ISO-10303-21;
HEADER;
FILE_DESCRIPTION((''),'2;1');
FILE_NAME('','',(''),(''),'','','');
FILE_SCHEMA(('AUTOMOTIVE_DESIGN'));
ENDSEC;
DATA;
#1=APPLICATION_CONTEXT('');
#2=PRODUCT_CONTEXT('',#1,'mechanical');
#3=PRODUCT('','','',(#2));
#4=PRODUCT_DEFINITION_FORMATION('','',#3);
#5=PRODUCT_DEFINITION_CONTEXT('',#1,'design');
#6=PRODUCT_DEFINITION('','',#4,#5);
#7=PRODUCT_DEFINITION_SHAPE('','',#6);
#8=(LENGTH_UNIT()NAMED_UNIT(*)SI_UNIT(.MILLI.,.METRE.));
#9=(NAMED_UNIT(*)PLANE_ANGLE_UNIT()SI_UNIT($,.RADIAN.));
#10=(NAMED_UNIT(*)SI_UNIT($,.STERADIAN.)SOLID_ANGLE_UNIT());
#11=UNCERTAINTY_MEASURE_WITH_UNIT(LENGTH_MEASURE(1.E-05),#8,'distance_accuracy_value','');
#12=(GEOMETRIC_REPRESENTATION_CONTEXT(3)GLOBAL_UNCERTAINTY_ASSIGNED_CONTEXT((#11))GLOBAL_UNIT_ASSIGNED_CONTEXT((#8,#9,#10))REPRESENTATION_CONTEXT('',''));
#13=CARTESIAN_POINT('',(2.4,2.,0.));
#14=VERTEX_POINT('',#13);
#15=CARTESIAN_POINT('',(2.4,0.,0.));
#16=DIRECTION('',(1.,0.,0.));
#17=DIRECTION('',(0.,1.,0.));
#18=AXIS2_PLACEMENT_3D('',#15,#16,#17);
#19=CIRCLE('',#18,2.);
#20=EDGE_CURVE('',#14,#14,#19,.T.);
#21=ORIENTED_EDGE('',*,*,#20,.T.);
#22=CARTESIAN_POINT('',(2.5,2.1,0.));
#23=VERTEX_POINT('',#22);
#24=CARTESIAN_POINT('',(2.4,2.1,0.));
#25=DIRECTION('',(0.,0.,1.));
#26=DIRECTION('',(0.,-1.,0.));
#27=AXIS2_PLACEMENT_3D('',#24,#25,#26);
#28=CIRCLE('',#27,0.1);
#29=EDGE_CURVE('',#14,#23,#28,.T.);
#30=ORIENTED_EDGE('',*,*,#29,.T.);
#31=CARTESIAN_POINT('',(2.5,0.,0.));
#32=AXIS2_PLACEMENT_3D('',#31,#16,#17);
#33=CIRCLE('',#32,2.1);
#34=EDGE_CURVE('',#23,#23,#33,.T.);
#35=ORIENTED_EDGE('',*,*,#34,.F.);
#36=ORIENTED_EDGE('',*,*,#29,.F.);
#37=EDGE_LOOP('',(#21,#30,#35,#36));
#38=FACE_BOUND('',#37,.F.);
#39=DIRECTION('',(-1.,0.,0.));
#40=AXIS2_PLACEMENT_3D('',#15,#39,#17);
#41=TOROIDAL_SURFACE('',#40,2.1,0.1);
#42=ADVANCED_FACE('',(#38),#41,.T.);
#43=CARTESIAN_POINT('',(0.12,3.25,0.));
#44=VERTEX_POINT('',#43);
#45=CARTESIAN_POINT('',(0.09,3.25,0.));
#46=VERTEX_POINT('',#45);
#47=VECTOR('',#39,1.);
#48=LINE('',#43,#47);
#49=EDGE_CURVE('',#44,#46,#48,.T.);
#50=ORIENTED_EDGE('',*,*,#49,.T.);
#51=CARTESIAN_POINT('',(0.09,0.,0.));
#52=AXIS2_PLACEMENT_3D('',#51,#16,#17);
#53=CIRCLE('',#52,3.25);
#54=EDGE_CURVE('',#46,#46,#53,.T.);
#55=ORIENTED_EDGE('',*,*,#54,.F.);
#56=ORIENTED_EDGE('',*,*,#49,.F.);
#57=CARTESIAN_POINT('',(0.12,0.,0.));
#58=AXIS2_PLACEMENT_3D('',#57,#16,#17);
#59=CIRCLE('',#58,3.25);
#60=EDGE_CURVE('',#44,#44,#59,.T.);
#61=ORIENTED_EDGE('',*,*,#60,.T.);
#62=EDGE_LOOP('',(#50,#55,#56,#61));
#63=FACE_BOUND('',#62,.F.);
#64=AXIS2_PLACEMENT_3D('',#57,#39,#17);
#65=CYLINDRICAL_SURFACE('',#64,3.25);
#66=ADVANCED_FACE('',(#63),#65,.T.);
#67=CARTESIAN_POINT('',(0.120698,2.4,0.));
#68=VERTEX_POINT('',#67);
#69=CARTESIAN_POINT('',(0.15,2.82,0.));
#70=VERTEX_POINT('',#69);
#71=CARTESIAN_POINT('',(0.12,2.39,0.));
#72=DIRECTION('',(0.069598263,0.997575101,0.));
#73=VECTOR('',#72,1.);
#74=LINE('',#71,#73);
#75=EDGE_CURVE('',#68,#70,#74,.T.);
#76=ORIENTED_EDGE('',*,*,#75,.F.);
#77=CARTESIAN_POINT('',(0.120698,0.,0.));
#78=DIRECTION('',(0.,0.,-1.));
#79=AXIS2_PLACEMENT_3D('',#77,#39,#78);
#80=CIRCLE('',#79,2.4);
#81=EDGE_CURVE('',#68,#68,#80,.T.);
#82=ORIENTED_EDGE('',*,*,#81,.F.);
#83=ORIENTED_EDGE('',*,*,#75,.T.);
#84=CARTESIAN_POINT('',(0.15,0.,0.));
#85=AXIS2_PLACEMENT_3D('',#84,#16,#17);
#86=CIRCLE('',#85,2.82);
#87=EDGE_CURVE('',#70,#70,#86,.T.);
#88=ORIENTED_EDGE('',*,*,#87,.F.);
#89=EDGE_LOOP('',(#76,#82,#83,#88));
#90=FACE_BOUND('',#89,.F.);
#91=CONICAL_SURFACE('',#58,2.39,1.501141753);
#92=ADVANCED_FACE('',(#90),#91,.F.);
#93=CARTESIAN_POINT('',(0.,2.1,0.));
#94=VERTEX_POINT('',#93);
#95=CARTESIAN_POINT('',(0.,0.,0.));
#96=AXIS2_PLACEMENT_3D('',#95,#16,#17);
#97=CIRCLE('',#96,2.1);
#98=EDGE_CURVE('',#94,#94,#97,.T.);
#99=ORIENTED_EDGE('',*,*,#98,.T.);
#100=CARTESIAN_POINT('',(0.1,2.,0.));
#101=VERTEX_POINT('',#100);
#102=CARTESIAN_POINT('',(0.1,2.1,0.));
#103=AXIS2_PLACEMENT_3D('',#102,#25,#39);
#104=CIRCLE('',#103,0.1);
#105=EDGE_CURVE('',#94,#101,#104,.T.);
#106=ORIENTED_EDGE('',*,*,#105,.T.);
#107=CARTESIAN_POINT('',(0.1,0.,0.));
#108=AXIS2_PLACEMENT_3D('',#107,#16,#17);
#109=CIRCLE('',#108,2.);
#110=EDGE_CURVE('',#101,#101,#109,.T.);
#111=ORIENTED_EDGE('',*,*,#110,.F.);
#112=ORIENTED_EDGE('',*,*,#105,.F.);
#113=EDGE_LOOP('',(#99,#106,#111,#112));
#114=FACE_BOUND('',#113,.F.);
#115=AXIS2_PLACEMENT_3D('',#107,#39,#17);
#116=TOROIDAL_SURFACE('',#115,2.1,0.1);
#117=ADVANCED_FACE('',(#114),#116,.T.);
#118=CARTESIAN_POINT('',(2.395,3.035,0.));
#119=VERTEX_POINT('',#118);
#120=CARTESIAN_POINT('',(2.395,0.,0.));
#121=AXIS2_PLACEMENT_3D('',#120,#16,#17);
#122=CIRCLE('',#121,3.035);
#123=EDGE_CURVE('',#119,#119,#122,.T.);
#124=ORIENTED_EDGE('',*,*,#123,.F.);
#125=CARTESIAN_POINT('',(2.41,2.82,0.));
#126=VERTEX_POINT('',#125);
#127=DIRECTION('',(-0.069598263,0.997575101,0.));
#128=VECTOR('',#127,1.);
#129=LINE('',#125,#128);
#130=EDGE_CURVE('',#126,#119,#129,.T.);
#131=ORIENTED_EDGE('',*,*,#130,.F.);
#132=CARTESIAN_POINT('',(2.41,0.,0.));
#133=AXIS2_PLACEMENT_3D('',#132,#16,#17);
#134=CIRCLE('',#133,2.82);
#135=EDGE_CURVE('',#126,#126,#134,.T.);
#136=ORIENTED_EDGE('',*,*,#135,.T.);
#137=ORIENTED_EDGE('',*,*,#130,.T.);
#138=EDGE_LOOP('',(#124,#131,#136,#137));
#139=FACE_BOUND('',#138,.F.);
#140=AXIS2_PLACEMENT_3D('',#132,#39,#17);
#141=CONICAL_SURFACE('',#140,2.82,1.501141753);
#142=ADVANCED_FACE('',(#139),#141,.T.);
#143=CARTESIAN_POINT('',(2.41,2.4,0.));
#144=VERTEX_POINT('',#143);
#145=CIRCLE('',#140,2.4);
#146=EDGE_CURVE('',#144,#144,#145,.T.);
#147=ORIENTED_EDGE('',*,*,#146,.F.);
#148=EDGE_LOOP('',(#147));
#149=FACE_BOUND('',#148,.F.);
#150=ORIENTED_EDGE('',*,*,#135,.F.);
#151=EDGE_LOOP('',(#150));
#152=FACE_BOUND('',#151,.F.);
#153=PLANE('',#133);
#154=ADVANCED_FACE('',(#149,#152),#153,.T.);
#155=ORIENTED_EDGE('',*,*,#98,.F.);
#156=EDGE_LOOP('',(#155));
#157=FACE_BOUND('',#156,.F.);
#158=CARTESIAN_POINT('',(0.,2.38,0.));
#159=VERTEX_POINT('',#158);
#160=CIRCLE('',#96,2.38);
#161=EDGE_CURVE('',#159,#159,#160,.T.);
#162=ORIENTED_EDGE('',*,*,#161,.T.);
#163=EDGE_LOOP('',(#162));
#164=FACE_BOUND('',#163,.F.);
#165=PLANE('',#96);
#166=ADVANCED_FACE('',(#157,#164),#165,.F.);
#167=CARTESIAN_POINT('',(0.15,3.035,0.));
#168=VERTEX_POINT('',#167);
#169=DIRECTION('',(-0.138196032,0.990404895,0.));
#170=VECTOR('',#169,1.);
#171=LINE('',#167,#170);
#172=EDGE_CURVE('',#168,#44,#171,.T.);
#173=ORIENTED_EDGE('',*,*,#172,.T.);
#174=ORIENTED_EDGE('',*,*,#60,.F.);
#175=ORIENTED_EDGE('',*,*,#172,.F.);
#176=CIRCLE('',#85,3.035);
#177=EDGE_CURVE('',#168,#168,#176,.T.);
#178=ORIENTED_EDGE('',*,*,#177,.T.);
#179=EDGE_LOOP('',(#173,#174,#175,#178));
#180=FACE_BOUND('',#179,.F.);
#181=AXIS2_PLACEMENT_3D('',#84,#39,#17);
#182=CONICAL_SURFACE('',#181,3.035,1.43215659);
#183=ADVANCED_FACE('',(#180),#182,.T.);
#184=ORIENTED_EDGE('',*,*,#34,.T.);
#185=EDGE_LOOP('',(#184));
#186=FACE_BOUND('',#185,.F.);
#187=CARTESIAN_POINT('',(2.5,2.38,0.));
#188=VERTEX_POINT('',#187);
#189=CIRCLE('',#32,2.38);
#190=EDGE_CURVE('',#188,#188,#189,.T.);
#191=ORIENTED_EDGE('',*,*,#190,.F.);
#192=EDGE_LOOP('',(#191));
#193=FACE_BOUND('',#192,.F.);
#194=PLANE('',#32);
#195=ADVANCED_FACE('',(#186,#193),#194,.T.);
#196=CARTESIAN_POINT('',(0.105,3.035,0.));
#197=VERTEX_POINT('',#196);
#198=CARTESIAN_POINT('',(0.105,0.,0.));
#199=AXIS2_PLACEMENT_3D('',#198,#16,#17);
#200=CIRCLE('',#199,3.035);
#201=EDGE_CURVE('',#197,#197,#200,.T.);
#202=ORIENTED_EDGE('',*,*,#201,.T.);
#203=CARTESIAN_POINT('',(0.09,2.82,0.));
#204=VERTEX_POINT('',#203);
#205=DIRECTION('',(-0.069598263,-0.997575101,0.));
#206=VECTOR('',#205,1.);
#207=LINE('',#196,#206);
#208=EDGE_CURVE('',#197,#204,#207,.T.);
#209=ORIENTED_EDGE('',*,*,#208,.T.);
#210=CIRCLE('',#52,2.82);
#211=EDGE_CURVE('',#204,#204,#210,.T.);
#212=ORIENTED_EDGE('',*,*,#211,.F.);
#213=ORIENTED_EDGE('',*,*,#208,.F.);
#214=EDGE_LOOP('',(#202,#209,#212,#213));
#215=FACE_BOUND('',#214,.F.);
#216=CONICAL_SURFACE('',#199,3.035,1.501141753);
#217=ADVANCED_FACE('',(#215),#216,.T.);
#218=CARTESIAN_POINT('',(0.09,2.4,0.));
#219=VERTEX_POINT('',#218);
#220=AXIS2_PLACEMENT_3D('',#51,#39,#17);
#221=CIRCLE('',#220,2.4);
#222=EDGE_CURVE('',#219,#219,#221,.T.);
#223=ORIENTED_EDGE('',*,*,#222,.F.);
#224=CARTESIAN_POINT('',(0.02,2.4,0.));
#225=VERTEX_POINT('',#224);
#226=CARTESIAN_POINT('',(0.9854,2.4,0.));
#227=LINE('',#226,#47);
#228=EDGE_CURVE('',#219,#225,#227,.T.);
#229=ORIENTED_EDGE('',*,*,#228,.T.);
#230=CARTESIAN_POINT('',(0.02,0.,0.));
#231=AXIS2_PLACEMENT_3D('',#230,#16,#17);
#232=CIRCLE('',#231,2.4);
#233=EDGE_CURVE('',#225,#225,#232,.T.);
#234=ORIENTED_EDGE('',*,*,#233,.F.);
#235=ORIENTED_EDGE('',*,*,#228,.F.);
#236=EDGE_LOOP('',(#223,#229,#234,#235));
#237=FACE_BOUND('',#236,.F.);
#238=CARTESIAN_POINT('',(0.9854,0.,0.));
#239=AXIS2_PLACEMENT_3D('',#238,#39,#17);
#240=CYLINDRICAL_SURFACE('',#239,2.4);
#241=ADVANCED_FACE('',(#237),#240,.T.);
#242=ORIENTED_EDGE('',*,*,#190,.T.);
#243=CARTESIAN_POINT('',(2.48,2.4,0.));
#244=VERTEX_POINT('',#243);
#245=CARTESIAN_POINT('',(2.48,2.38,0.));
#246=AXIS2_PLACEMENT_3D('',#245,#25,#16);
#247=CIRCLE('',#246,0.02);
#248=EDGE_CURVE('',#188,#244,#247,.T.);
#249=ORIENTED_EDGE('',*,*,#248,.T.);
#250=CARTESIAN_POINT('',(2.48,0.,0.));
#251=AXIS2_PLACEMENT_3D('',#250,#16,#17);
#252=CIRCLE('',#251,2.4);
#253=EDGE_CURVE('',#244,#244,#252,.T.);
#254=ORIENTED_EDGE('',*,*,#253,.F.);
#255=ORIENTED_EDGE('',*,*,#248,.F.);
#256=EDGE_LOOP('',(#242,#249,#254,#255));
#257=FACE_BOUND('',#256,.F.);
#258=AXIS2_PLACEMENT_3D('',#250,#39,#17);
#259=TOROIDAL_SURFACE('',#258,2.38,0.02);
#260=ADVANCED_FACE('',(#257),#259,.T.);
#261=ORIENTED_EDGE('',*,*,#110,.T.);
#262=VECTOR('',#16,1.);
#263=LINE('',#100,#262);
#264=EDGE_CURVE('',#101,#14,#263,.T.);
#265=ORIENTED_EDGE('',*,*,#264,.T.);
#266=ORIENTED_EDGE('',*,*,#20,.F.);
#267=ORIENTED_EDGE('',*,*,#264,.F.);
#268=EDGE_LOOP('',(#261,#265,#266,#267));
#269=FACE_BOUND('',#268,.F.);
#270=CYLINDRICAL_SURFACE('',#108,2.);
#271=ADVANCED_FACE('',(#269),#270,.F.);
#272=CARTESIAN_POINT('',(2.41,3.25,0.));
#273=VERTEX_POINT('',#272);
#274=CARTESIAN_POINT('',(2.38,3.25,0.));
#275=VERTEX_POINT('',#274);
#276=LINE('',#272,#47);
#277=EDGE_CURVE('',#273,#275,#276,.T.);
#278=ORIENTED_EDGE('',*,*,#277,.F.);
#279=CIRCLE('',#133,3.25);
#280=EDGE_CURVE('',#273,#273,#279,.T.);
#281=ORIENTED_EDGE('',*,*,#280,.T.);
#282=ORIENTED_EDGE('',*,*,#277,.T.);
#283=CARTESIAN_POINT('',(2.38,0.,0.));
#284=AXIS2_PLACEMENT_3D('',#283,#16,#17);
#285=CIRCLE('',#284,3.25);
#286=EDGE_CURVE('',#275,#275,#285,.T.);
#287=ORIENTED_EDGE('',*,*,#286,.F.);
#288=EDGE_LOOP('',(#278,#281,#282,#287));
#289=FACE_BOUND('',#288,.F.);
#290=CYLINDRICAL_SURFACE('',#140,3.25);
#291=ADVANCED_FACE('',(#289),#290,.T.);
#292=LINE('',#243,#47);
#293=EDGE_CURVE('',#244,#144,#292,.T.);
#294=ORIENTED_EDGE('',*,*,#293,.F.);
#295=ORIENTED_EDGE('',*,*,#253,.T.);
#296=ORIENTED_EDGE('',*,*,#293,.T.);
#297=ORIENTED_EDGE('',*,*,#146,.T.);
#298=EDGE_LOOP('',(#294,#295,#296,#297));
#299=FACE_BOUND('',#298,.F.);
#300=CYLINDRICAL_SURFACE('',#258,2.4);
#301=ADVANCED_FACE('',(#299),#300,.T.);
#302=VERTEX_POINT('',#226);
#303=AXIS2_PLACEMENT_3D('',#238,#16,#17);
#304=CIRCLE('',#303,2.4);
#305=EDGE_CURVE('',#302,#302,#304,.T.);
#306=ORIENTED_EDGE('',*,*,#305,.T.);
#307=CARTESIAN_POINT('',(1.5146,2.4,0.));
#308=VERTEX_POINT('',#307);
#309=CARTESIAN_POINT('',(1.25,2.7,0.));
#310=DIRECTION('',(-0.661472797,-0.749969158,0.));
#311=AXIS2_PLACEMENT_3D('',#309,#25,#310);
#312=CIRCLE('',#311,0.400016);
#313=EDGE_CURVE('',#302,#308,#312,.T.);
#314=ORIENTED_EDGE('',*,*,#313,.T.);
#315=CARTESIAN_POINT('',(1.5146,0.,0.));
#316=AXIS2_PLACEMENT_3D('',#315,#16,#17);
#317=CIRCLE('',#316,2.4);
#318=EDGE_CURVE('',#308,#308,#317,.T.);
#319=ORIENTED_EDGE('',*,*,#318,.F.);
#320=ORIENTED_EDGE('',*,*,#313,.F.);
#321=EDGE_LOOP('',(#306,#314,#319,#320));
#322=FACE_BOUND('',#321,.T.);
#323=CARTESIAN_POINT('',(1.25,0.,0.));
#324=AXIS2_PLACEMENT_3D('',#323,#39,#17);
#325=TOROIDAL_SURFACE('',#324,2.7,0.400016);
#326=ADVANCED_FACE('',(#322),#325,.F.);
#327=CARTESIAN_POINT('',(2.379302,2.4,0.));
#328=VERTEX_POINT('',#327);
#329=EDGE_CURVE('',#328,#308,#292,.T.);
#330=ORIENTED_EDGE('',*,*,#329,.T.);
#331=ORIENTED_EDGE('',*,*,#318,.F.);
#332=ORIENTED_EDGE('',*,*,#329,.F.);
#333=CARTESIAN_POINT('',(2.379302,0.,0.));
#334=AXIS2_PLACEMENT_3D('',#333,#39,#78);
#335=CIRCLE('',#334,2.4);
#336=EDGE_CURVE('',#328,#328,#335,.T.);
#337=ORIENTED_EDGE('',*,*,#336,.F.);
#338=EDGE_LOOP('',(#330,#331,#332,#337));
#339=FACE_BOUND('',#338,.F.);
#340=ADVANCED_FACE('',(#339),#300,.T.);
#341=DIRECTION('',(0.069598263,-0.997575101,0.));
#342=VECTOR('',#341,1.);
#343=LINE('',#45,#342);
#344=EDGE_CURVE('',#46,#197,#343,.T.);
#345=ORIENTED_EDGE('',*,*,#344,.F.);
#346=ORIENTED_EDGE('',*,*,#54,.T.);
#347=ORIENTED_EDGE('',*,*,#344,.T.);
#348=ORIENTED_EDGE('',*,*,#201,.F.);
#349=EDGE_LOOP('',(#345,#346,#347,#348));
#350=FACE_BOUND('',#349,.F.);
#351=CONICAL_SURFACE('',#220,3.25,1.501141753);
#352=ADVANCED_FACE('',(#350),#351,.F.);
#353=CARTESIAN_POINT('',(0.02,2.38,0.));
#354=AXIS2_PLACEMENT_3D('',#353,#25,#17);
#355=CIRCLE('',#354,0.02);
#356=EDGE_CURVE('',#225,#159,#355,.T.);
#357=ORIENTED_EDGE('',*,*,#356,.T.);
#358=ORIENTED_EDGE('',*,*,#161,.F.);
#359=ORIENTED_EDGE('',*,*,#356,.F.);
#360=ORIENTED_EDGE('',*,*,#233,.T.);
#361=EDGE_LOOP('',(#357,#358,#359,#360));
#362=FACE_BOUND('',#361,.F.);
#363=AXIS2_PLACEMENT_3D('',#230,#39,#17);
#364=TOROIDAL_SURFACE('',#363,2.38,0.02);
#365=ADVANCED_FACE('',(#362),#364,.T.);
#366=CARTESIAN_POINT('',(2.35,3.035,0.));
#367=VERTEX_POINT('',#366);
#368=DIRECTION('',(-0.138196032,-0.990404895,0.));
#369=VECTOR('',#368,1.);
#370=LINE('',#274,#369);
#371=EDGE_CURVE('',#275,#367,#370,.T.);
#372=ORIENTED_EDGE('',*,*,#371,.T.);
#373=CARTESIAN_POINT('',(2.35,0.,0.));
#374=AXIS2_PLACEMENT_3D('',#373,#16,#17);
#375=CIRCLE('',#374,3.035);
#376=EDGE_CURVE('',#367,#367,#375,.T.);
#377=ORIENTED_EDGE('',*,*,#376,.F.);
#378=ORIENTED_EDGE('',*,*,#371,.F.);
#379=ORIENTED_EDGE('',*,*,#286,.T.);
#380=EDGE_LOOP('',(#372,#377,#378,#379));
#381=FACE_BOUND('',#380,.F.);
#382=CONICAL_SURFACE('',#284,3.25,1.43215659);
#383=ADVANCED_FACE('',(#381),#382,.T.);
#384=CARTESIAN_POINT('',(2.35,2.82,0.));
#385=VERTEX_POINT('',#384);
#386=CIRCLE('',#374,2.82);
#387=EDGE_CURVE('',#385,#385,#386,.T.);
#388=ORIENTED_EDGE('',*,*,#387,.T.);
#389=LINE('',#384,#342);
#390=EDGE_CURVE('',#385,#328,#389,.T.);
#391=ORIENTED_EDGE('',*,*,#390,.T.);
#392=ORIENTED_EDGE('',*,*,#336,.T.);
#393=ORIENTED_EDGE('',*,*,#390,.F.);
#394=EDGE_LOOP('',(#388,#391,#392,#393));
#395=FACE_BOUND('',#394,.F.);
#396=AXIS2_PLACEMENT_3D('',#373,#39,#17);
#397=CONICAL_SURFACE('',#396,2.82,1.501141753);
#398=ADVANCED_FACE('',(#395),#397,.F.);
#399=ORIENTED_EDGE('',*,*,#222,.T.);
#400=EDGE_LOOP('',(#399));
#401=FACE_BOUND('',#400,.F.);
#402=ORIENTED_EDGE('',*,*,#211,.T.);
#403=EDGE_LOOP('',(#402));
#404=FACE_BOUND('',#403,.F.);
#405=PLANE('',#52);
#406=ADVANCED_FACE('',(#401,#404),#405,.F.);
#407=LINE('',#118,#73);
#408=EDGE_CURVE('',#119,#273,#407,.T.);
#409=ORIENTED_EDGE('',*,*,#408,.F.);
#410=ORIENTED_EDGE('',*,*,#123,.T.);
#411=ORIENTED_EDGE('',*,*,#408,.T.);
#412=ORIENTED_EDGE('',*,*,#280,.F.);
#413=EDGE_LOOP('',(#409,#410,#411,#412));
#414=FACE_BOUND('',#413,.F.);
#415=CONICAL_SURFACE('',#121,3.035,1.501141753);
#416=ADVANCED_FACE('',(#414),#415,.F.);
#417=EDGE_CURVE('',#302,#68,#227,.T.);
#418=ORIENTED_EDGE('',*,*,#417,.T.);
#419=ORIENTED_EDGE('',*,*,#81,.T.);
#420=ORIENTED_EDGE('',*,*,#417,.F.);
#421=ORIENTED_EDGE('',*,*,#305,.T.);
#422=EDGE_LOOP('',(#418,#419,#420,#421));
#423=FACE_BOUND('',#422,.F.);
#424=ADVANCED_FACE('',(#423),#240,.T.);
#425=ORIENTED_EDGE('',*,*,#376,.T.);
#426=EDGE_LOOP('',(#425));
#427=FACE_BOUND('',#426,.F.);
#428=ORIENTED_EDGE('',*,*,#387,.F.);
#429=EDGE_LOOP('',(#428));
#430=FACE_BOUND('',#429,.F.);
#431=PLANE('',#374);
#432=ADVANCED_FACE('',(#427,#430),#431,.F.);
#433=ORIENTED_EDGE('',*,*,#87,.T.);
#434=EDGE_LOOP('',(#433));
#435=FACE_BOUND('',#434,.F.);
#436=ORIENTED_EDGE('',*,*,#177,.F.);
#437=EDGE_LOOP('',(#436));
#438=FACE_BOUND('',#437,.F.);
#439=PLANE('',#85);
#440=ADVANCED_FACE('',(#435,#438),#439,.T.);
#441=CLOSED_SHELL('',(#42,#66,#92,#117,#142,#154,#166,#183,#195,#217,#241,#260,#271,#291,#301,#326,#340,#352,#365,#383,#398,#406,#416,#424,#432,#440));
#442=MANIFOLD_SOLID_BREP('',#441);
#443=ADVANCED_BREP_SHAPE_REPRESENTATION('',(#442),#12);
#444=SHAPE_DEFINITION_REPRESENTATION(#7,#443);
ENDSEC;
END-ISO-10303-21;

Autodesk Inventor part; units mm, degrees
ref_plane "YZ Plane" through (0, 0, 0) normal (1, 0, 0) x (0, 1, 0)
ref_plane "XZ Plane" through (0, 0, 0) normal (0, 1, 0) x (-1, 0, 0)
ref_plane "XY Plane" through (0, 0, 0) normal (0, 0, 1) x (1, 0, 0)
sketch "Sketch_6" plane through (0, 0, 0) normal (0, 0, 1) x (1, 0, 0)
  line L0 (50, 0) -> (-50, 0)
  line L1 (0, 2.38) -> (0, 2.1)
  arc A0 (0, 2.1) -> (0.1, 2) centre (0.1, 2.1) ccw
  line L2 (0.1, 2) -> (2.4, 2)
  arc A1 (2.4, 2) -> (2.5, 2.1) centre (2.4, 2.1) ccw
  line L3 (2.5, 2.1) -> (2.5, 2.38)
  arc A2 (2.5, 2.38) -> (2.48, 2.4) centre (2.48, 2.38) ccw
  line L4 (2.48, 2.4) -> (1.5146, 2.4)
  arc A3 (0.9854, 2.4) -> (1.5146, 2.4) centre (1.25, 2.7) ccw
  line L5 (0.9854, 2.4) -> (0.02, 2.4)
  arc A4 (0.02, 2.4) -> (0, 2.38) centre (0.02, 2.38) ccw
revolve "Revolution1" add sketch "Sketch_6" angle 360 about axis through (50, 0, 0) along (1, 0, 0)
sketch "Sketch_11" plane through (0, 0, 0) normal (0, 0, 1) x (1, 0, 0)
  line L0 (50, 0) -> (-50, 0)
  line L1 (0.09, 3.25) -> (0.105, 3.035)
  line L2 (0.105, 3.035) -> (0.09, 2.82)
  line L3 (0.09, 2.82) -> (0.09, 2.39)
  line L4 (0.09, 2.39) -> (0.12, 2.39)
  line L5 (0.12, 2.39) -> (0.15, 2.82)
  line L6 (0.15, 2.82) -> (0.15, 3.035)
  line L7 (0.15, 3.035) -> (0.12, 3.25)
  line L8 (0.12, 3.25) -> (0.09, 3.25)
revolve "Revolution2" add sketch "Sketch_11" angle 360 about axis through (50, 0, 0) along (1, 0, 0)
sketch "Sketch_12" plane through (0, 0, 0) normal (0, 0, 1) x (1, 0, 0)
  line L0 (50, 0) -> (-50, 0)
  line L1 (2.35, 3.035) -> (2.35, 2.82)
  line L2 (2.35, 2.82) -> (2.38, 2.39)
  line L3 (2.38, 2.39) -> (2.41, 2.39)
  line L4 (2.41, 2.39) -> (2.41, 2.82)
  line L5 (2.41, 2.82) -> (2.395, 3.035)
  line L6 (2.395, 3.035) -> (2.41, 3.25)
  line L7 (2.41, 3.25) -> (2.38, 3.25)
  line L8 (2.38, 3.25) -> (2.35, 3.035)
revolve "Revolution3" add sketch "Sketch_12" angle 360 about axis through (50, 0, 0) along (1, 0, 0)
properties part number "W 627/4-2Z_PART1"
